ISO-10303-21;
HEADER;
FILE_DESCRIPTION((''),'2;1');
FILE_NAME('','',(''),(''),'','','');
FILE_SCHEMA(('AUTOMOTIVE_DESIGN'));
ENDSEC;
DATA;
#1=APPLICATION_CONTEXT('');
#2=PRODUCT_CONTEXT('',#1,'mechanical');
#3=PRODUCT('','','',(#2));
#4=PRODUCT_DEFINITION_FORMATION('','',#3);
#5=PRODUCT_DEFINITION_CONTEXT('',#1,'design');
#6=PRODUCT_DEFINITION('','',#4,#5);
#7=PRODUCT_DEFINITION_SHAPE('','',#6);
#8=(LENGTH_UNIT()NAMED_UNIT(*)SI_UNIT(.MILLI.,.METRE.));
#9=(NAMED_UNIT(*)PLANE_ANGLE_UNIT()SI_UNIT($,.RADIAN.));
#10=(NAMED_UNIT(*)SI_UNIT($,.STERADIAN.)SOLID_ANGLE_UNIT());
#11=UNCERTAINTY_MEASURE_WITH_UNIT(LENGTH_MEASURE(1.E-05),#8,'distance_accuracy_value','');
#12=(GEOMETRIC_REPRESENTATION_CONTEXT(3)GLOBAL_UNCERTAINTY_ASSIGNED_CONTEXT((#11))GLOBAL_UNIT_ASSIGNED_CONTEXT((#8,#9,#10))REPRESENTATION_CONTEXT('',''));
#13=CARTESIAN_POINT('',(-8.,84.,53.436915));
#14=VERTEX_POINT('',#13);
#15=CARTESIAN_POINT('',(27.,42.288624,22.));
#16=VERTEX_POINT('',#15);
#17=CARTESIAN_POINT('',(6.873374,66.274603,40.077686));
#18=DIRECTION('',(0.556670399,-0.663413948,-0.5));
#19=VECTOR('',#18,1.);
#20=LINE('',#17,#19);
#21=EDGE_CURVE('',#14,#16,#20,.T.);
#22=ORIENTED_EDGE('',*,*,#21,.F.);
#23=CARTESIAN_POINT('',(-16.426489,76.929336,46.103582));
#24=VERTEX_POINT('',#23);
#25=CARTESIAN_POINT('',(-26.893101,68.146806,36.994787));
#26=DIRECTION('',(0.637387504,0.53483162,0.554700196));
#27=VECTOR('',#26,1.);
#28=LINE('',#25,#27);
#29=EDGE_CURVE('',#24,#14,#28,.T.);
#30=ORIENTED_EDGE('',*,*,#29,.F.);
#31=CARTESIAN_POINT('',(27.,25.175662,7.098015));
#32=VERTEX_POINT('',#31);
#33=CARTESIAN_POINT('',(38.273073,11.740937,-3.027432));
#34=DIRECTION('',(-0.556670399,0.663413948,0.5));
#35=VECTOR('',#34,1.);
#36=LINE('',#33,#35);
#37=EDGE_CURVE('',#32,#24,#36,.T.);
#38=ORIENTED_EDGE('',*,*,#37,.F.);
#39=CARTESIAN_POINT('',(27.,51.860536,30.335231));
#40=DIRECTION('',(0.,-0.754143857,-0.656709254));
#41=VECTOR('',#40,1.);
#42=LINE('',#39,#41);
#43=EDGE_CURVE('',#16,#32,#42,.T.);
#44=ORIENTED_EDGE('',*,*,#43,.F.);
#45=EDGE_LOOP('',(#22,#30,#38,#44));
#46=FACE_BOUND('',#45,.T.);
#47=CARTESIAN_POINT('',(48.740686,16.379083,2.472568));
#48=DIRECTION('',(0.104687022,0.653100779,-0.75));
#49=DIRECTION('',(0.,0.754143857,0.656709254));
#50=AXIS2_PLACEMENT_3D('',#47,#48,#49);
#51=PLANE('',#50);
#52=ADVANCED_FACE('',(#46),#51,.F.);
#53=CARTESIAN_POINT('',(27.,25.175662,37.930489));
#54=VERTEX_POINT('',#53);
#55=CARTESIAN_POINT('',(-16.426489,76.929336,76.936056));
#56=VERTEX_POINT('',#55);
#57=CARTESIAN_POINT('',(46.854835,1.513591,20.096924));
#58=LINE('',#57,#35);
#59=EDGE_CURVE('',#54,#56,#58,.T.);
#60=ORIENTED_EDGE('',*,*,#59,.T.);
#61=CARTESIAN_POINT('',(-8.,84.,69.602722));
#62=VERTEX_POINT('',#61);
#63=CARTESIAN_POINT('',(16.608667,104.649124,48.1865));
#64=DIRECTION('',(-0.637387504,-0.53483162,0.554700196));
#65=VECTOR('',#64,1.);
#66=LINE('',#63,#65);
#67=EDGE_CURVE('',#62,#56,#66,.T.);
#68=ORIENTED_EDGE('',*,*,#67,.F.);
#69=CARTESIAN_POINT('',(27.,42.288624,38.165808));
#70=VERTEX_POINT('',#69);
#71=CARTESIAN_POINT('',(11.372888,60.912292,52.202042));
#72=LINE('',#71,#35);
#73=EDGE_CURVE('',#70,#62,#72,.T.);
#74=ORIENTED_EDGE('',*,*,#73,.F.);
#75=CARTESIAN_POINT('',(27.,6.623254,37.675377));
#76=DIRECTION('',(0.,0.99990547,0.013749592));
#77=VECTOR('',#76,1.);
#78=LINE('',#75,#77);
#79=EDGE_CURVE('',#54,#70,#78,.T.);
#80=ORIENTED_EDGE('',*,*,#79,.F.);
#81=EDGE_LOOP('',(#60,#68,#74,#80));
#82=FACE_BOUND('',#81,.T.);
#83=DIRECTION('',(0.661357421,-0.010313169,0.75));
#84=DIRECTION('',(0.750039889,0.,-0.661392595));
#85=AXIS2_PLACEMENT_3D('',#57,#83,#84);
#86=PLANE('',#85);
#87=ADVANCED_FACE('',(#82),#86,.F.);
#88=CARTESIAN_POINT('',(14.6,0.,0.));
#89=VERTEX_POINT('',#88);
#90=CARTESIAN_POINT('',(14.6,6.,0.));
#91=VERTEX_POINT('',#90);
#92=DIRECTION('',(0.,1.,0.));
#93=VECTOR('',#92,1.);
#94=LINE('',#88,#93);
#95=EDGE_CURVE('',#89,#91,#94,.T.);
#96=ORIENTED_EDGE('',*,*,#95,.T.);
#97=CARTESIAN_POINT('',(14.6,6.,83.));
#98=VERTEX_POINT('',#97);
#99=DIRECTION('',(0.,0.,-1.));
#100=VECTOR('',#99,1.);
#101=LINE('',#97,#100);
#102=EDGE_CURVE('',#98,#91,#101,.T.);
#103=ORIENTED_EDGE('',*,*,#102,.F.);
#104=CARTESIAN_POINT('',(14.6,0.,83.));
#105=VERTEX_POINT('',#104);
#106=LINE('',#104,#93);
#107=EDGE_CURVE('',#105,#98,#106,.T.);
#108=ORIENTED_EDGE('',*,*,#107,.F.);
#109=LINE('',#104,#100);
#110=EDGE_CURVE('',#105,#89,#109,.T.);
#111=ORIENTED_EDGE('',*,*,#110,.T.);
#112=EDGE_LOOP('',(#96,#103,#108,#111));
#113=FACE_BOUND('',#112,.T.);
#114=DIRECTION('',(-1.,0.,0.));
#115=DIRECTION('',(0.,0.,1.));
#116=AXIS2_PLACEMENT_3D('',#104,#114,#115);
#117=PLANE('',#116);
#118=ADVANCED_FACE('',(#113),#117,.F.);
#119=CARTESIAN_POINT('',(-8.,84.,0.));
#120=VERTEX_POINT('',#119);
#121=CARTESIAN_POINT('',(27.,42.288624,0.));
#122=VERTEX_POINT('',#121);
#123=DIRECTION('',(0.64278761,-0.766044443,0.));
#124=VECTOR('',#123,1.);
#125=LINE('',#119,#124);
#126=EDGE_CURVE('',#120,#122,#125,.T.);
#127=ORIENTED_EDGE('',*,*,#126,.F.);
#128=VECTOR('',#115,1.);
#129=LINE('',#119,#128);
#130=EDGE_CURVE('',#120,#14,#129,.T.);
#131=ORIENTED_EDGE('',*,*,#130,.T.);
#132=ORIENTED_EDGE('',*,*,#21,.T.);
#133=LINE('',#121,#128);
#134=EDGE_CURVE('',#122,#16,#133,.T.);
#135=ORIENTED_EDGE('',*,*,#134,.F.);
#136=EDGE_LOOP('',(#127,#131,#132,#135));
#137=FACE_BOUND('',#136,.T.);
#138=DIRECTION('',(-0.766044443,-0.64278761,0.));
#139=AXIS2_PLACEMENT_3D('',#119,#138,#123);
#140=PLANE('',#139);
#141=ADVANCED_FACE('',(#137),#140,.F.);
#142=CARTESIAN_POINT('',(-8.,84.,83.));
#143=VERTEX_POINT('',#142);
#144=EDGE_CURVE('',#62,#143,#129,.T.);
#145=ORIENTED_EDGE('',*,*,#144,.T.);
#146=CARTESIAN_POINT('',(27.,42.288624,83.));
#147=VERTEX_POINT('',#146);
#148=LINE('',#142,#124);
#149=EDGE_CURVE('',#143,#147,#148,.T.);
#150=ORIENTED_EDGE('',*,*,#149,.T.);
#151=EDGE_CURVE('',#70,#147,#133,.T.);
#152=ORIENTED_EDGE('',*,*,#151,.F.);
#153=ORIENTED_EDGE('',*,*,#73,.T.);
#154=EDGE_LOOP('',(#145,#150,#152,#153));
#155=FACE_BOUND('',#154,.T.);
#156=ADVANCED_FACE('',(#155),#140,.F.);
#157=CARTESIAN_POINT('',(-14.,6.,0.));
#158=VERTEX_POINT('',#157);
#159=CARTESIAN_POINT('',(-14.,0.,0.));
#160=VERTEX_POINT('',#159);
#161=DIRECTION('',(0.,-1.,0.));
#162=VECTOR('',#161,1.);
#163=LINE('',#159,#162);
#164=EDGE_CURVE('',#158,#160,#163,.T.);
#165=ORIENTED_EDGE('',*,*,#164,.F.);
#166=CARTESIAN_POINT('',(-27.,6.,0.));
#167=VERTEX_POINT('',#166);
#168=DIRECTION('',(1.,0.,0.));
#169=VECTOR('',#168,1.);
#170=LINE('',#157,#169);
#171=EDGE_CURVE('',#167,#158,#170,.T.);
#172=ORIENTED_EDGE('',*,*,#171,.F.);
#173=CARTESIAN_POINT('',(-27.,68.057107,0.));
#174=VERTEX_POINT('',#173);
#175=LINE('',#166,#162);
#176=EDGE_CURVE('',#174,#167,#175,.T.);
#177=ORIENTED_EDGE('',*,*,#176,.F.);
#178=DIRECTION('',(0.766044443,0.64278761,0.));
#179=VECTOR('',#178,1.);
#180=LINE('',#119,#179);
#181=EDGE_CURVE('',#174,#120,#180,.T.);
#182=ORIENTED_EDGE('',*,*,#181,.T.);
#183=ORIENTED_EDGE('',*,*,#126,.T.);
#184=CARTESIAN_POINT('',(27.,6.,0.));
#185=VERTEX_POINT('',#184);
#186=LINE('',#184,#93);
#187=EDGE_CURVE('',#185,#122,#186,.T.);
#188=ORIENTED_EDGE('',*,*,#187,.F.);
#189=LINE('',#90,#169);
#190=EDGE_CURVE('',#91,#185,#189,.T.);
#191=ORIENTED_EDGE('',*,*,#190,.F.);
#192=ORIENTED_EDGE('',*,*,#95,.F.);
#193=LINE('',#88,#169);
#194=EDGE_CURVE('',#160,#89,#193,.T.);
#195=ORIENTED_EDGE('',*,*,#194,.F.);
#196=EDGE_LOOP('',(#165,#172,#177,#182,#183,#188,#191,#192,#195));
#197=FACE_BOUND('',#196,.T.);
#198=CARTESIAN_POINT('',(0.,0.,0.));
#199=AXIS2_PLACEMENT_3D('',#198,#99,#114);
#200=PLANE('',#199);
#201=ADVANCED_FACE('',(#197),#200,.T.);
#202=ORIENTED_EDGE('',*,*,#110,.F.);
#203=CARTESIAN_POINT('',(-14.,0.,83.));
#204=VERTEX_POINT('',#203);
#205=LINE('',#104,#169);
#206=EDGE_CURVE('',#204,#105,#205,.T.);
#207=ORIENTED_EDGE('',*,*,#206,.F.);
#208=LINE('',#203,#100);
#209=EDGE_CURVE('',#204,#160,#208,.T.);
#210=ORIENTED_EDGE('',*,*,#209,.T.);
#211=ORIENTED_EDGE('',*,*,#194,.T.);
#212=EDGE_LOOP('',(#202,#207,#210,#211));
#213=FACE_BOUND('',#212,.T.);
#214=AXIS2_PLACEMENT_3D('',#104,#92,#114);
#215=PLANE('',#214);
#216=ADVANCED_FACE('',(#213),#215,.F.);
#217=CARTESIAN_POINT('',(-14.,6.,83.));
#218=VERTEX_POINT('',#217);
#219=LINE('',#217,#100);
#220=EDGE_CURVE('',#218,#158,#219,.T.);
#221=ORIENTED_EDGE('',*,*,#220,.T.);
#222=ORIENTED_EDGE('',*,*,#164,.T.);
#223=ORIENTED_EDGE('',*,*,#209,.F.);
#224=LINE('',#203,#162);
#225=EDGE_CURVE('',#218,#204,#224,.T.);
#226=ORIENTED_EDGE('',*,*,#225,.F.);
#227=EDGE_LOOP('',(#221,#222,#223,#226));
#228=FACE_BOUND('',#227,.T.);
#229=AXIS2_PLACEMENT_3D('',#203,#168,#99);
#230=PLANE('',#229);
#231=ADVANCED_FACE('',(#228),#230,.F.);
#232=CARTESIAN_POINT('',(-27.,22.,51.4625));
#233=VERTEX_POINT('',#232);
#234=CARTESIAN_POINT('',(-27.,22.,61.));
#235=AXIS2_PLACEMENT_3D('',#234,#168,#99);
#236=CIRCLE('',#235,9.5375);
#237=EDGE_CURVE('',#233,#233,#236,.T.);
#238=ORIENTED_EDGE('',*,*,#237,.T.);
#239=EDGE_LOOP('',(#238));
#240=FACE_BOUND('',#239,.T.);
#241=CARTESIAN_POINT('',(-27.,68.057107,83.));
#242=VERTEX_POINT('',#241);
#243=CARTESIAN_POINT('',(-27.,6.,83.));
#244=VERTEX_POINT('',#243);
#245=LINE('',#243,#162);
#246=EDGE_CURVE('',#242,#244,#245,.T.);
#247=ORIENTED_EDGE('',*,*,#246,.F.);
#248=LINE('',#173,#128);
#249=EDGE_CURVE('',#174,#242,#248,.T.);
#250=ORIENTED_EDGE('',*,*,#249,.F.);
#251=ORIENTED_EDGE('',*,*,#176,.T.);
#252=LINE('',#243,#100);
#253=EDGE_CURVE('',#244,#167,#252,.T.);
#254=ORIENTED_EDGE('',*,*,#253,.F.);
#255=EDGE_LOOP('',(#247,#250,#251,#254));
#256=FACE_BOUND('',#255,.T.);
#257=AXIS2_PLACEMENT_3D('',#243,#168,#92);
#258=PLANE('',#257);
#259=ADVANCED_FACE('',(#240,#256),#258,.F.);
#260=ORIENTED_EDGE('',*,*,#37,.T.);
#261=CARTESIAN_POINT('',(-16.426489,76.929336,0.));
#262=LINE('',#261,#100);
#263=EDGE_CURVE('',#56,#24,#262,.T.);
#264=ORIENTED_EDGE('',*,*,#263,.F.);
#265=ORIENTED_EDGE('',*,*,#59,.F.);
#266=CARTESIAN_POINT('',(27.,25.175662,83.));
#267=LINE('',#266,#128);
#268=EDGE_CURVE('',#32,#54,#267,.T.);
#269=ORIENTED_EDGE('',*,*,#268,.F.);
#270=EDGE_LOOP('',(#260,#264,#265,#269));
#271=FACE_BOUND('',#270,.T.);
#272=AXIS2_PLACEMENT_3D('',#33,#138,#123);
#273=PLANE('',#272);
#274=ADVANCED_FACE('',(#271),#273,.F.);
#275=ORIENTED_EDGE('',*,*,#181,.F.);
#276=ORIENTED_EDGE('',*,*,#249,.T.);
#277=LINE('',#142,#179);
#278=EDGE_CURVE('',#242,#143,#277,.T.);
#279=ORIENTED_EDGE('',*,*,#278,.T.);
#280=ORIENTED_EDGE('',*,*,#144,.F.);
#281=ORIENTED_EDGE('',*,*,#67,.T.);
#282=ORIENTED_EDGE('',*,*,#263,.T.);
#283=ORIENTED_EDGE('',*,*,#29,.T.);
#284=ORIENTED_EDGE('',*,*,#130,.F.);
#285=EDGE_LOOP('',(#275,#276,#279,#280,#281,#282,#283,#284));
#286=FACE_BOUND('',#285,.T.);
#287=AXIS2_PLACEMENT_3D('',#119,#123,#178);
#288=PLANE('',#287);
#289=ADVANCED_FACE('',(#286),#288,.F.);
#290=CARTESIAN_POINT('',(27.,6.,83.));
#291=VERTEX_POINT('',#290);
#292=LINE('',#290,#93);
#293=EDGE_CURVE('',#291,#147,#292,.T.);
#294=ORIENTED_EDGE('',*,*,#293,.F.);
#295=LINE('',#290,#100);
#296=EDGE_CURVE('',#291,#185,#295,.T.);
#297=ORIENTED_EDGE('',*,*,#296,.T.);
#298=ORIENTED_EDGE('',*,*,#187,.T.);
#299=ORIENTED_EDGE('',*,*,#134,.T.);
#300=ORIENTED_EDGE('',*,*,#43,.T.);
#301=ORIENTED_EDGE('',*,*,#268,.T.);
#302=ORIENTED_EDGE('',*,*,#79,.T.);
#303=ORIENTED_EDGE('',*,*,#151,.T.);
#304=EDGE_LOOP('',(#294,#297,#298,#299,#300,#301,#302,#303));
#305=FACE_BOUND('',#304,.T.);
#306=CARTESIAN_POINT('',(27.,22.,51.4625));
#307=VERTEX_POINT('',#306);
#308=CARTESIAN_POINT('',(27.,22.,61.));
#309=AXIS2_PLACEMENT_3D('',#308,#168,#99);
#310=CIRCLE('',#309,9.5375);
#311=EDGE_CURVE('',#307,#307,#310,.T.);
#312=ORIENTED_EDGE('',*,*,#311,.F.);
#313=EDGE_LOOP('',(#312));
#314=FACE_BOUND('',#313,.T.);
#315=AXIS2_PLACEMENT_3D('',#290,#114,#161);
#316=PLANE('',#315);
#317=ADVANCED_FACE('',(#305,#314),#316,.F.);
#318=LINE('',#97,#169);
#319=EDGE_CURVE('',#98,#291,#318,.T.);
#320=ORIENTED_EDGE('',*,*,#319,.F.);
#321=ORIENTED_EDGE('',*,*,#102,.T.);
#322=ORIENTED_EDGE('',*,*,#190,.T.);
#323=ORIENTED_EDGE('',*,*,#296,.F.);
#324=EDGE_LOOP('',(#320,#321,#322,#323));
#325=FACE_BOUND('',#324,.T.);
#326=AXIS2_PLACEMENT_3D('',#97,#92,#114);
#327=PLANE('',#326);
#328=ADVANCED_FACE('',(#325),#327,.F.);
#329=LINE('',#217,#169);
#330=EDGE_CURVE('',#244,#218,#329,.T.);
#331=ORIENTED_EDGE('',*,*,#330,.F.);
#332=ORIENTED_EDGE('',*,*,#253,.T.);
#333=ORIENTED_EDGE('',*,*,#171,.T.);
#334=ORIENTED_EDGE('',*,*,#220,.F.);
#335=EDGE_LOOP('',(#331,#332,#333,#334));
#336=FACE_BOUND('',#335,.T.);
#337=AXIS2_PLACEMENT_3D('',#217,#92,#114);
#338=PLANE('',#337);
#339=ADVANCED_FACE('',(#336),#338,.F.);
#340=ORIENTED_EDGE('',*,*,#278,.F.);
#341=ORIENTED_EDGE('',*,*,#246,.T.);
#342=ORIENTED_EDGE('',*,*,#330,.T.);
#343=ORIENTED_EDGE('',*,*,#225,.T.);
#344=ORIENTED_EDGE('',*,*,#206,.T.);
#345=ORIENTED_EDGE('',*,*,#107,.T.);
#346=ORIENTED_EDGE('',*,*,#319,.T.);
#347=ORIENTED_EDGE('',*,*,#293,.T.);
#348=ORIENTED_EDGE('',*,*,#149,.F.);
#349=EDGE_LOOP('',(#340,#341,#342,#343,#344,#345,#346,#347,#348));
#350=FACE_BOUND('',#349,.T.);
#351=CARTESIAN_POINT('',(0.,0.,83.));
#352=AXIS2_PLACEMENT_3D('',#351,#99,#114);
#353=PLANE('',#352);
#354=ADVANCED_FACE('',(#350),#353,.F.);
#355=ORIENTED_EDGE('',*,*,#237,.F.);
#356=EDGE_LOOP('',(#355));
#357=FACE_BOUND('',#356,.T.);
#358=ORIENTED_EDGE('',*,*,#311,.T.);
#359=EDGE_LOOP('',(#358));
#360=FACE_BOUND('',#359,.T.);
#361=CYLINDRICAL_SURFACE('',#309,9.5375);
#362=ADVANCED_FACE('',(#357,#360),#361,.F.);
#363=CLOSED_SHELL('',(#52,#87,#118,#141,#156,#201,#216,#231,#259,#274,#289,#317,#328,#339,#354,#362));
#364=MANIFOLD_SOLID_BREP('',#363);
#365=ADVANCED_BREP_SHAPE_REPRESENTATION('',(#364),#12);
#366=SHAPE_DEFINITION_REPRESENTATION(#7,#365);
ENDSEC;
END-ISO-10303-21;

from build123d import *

# Parameters (mm, degrees)
FRONT_PLANE_EXTRUDED_BOSS_DEPTH       = 83
SMALLER_TRIANGULAR_EXTRUDED_CUT_DEPTH = 122.136286884
BIGGER_TRIANGULAR_EXTRUDED_CUT_DEPTH  = 122.136286884
F_19_075D_HOLE_D                      = 19.07499995
DOVETAIL_EXTRUDED_CUT_DEPTH           = 106.52963508
DOVETAIL_EXTRUDED_CUT_DEPTH_BACK      = 106.52963508


with BuildPart() as part:
    # Sketch4 → Front Plane Extruded Boss (new body)
    with BuildSketch(Plane.XY):
        Polygon((14.6, 0), (-14, 0), (-14, 6), (-27, 6), (-27, 84), (27, 84), (27, 6), (14.6, 6), align=None)
    extrude(amount=FRONT_PLANE_EXTRUDED_BOSS_DEPTH)

    # Sketch5 → Smaller Triangular Extruded Cut (cut, through all)
    with BuildSketch(Plane.XY.offset(83)):
        Polygon((-27, 84), (-8, 84), (-27, 68.057107008), align=None)
    extrude(amount=-SMALLER_TRIANGULAR_EXTRUDED_CUT_DEPTH, mode=Mode.SUBTRACT)

    # Sketch6 → Bigger Triangular Extruded Cut (cut, through all)
    with BuildSketch(Plane.XY.offset(83)):
        Polygon((27, 84), (-8, 84), (27, 42.288624259), align=None)
    extrude(amount=-BIGGER_TRIANGULAR_EXTRUDED_CUT_DEPTH, mode=Mode.SUBTRACT)

    # 19.075D Hole (through all)
    with Locations(Plane(origin=(27, 0, 0), x_dir=(0, 0, -1), z_dir=(1, 0, 0))):
        with Locations((-61, 22)):
            Hole(F_19_075D_HOLE_D / 2)

    # Sketch13 → Dovetail Extruded Cut (cut, two sides: drawn at the far end of the back side and taken through both)
    with BuildSketch(Plane(origin=(-8, 84, 53.436914958), x_dir=(0.8307334510088613, 0.4445504234012626, 0.3350475405500927), z_dir=(-0.5566703992264255, 0.6634139481689373, 0.49999999999999484)).offset(-DOVETAIL_EXTRUDED_CUT_DEPTH_BACK)):
        Polygon((0, 0), (-12.600448024, 1.600638285), (-2.270103373, -23.021812416), (5.416314056, -12.909823471), align=None)
    extrude(amount=DOVETAIL_EXTRUDED_CUT_DEPTH + DOVETAIL_EXTRUDED_CUT_DEPTH_BACK, mode=Mode.SUBTRACT)


solid = part.part
